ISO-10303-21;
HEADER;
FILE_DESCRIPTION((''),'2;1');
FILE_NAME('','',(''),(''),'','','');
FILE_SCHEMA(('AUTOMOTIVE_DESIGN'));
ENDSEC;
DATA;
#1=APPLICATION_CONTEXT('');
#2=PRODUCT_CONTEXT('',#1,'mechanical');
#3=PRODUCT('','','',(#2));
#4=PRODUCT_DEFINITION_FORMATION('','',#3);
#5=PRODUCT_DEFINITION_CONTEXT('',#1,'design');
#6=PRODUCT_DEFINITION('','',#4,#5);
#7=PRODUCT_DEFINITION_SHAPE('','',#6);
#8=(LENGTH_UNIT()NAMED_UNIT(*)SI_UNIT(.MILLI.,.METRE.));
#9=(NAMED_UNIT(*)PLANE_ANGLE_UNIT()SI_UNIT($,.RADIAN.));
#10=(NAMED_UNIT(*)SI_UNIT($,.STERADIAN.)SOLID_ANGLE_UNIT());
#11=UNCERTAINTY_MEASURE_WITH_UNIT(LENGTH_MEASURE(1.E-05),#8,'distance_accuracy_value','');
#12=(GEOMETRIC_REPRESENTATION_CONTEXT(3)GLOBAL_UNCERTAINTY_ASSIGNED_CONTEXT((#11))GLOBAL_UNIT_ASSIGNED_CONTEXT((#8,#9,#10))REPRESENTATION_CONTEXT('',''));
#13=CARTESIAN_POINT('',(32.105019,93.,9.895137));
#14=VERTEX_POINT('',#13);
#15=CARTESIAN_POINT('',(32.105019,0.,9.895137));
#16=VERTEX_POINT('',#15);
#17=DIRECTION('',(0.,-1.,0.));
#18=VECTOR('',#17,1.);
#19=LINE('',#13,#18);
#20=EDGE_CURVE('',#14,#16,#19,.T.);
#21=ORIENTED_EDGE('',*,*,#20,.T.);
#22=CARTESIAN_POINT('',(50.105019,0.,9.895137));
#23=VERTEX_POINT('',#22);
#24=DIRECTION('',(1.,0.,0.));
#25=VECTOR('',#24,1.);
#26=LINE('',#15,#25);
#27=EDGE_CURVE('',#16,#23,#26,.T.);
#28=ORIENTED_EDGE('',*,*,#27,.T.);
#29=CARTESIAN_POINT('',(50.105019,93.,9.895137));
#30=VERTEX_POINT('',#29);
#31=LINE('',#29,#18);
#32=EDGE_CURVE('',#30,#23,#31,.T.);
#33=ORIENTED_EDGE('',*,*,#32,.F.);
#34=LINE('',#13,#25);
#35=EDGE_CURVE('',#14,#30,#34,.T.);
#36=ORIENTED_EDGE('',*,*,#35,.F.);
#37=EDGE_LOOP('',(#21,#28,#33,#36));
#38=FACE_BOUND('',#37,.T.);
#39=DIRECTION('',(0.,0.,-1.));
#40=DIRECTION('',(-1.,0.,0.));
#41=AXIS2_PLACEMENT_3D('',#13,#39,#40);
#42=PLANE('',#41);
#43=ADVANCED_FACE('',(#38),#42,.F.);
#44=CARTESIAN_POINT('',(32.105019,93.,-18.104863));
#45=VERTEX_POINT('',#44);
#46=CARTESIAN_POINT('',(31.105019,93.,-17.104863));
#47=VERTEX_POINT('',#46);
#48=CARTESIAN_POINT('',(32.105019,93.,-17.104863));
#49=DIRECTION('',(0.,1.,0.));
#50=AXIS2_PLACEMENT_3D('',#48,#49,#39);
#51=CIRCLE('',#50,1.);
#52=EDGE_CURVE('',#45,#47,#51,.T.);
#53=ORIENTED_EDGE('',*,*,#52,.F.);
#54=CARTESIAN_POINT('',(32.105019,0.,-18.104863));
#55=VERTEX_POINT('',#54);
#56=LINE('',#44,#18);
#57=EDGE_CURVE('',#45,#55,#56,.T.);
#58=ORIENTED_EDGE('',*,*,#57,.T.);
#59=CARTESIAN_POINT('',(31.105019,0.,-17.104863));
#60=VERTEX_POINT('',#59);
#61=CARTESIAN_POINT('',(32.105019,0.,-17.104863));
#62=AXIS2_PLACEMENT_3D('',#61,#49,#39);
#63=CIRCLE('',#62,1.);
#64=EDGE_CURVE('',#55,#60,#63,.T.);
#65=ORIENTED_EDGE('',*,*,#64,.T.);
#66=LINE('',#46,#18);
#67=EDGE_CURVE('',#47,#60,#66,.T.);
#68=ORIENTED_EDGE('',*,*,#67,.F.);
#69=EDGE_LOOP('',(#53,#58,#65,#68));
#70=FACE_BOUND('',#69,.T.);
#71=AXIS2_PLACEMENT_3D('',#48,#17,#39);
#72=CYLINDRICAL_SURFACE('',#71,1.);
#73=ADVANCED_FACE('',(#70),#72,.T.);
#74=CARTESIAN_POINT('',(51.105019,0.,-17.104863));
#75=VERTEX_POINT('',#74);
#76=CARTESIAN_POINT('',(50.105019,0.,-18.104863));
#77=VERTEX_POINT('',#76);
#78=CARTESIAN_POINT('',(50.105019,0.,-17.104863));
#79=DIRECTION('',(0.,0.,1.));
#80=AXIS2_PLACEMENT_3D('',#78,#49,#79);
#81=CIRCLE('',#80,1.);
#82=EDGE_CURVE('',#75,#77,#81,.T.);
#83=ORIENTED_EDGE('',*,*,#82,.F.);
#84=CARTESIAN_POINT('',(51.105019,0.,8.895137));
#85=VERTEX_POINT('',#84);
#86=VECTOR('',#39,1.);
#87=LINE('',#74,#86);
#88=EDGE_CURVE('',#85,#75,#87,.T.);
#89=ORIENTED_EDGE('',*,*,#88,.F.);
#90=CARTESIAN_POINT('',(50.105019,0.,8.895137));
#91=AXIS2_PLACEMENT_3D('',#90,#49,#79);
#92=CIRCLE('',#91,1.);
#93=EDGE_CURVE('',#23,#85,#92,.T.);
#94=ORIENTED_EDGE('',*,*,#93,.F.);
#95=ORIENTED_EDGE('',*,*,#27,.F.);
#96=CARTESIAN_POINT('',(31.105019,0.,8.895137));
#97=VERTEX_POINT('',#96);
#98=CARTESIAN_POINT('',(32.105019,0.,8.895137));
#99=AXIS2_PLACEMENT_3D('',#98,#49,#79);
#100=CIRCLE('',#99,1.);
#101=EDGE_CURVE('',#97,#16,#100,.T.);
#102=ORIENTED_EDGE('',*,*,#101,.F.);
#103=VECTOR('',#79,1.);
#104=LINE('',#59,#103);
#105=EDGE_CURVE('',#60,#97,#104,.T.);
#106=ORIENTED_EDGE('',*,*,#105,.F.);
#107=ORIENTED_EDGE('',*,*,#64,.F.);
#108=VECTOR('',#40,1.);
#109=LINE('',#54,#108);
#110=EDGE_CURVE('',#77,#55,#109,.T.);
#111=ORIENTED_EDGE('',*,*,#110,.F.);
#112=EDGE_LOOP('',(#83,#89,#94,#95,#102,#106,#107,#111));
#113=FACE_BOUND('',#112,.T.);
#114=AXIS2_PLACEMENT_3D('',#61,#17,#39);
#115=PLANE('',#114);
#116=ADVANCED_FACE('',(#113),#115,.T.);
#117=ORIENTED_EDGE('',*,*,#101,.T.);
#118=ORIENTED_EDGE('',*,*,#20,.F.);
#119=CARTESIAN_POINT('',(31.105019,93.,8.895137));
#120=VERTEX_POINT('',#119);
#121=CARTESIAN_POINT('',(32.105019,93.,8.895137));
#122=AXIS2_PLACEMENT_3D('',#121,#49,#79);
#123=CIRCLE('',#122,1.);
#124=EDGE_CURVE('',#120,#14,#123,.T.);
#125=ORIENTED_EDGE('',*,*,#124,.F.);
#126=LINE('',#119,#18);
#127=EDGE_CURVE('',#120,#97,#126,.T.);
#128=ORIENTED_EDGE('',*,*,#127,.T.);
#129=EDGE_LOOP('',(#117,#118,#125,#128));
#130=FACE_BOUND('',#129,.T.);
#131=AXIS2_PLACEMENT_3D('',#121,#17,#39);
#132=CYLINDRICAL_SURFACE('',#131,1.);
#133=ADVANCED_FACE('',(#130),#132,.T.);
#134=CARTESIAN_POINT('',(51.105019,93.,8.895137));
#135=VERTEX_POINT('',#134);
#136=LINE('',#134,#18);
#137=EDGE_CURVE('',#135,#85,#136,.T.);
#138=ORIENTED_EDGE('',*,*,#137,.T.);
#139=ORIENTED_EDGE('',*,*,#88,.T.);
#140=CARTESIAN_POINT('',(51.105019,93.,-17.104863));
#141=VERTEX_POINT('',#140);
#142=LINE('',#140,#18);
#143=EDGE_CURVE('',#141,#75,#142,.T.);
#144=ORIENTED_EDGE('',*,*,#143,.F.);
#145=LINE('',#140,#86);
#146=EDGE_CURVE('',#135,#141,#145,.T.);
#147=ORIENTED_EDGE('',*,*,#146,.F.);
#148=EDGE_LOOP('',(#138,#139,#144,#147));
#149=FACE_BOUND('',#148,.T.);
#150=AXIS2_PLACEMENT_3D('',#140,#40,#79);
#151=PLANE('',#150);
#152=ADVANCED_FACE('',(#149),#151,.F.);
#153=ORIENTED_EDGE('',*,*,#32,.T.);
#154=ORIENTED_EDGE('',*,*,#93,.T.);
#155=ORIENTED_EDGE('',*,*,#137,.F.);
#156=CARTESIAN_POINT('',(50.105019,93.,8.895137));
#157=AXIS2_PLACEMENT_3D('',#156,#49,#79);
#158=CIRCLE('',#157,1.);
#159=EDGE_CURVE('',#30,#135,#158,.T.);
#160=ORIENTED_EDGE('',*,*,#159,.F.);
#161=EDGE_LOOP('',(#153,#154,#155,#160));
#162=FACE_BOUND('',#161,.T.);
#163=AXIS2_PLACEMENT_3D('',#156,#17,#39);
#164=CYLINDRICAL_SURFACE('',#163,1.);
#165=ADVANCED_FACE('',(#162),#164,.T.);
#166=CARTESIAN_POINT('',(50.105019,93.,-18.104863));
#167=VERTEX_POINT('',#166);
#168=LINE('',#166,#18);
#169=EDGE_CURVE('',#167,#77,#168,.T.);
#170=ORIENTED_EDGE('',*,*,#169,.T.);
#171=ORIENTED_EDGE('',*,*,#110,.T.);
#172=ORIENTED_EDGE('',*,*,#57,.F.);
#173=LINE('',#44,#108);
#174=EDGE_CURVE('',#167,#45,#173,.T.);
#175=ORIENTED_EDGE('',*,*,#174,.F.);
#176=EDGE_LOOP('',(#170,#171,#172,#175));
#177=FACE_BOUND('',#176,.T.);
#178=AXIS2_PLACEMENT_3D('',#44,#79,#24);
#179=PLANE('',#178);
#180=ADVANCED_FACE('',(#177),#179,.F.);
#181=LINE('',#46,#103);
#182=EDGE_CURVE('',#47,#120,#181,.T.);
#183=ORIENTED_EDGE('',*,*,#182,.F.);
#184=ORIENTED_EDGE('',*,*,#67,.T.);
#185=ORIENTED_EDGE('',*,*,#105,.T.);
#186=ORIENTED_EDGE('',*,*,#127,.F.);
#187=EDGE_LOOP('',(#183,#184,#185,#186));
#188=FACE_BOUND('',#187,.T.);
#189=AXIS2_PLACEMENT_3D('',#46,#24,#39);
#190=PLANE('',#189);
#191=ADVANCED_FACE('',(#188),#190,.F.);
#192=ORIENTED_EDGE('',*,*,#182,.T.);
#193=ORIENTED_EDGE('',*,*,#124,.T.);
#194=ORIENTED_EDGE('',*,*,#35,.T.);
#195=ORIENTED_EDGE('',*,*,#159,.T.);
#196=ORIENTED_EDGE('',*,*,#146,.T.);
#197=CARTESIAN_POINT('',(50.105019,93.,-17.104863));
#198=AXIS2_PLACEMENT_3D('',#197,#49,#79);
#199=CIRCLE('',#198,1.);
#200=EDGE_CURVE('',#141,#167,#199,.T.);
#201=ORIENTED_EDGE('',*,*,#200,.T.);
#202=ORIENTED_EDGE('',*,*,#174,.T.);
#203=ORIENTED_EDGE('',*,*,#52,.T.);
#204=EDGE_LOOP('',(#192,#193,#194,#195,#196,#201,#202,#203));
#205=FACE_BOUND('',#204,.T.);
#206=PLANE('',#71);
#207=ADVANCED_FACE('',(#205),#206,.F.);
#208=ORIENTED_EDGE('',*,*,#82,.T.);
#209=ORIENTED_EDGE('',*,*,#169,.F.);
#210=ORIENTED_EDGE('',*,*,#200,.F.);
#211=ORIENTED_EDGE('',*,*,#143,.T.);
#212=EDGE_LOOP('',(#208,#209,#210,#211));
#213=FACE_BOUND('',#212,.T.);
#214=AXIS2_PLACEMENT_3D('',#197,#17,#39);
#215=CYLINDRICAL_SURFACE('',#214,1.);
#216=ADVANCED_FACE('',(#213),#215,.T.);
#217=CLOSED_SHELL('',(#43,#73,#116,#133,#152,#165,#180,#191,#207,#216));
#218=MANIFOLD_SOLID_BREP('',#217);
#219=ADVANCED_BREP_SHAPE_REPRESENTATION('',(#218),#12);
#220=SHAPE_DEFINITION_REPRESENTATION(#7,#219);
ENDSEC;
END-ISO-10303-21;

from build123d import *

# Parameters (mm, degrees)
EXTRUDE_2_DEPTH = 93


with BuildPart() as part:
    # 草图1 → 凸台-拉伸2 (new body)
    with BuildSketch(Plane(origin=(0, 0, 0), x_dir=(1, 0, 0), z_dir=(0, 1, 0))):
        with BuildLine():
            Line((32.105018557, 18.104863022), (50.105018557, 18.104863022))
            ThreePointArc((50.105018557, 18.104863022), (50.812125339, 17.811969803), (51.105018557, 17.104863022))
            Line((51.105018557, 17.104863022), (51.105018557, -8.895136978))
            ThreePointArc((51.105018557, -8.895136978), (50.812125339, -9.602243759), (50.105018557, -9.895136978))
            Line((50.105018557, -9.895136978), (32.105018557, -9.895136978))
            ThreePointArc((32.105018557, -9.895136978), (31.397911776, -9.602243759), (31.105018557, -8.895136978))
            Line((31.105018557, -8.895136978), (31.105018557, 17.104863022))
            ThreePointArc((31.105018557, 17.104863022), (31.397911776, 17.811969803), (32.105018557, 18.104863022))
        make_face()
    extrude(amount=EXTRUDE_2_DEPTH)


solid = part.part
